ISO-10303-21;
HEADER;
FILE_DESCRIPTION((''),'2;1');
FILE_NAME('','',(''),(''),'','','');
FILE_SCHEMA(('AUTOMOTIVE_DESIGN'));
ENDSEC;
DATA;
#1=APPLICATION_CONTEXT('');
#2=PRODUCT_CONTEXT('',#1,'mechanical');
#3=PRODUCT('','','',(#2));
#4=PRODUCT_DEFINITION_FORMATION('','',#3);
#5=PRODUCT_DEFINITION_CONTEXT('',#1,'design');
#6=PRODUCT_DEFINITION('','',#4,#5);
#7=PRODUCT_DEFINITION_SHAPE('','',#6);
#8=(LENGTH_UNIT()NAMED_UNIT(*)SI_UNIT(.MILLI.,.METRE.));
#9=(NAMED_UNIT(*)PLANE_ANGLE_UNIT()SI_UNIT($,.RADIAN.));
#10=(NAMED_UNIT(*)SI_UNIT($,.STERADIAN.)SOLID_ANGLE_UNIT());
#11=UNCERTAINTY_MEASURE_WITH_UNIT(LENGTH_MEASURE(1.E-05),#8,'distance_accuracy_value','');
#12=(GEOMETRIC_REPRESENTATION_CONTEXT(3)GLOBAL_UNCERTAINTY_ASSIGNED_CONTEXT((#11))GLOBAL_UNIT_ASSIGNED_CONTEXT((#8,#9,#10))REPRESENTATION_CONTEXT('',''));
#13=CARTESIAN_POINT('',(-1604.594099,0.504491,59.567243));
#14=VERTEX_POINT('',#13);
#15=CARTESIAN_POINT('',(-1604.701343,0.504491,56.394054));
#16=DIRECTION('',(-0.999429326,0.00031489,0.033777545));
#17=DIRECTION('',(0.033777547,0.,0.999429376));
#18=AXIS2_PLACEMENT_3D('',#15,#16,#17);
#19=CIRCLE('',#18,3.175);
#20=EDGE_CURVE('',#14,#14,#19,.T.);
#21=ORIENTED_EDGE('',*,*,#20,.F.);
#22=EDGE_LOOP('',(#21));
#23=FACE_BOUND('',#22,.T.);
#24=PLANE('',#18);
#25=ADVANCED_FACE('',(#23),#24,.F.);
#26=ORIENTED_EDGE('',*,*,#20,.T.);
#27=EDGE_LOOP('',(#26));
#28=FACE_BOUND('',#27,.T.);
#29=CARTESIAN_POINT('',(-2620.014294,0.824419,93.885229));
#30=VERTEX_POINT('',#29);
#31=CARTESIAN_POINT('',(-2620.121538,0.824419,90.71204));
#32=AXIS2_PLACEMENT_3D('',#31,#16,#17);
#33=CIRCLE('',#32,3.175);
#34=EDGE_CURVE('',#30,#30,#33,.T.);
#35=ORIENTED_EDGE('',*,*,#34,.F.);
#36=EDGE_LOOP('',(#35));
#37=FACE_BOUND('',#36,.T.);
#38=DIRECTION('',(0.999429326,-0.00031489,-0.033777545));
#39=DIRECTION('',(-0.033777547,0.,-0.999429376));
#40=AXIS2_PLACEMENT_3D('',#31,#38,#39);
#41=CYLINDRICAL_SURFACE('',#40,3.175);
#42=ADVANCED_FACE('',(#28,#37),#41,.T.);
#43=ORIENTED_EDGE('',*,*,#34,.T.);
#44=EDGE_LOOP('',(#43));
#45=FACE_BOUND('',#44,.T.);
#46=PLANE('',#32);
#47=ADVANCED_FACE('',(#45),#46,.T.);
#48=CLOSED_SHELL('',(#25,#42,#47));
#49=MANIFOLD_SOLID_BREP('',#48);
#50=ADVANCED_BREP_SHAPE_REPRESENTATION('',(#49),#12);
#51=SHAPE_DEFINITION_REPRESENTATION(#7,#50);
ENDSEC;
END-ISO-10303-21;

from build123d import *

# Parameters (mm, degrees)
SKETCH2_R           = 3.175
BOSS_EXTRUDE1_DEPTH = 1016


with BuildPart() as part:
    # Sketch2 → Boss-Extrude1 (new body)
    with BuildSketch(Plane(origin=(-1604.774268025, 0.505615361, 54.236286673), x_dir=(0.033777379, -0.000520585, 0.999429246), z_dir=(-0.999429326, 0.00031489, 0.033777545))):
        with Locations((2.159, 0)):
            Circle(SKETCH2_R)
    extrude(amount=BOSS_EXTRUDE1_DEPTH)


solid = part.part
